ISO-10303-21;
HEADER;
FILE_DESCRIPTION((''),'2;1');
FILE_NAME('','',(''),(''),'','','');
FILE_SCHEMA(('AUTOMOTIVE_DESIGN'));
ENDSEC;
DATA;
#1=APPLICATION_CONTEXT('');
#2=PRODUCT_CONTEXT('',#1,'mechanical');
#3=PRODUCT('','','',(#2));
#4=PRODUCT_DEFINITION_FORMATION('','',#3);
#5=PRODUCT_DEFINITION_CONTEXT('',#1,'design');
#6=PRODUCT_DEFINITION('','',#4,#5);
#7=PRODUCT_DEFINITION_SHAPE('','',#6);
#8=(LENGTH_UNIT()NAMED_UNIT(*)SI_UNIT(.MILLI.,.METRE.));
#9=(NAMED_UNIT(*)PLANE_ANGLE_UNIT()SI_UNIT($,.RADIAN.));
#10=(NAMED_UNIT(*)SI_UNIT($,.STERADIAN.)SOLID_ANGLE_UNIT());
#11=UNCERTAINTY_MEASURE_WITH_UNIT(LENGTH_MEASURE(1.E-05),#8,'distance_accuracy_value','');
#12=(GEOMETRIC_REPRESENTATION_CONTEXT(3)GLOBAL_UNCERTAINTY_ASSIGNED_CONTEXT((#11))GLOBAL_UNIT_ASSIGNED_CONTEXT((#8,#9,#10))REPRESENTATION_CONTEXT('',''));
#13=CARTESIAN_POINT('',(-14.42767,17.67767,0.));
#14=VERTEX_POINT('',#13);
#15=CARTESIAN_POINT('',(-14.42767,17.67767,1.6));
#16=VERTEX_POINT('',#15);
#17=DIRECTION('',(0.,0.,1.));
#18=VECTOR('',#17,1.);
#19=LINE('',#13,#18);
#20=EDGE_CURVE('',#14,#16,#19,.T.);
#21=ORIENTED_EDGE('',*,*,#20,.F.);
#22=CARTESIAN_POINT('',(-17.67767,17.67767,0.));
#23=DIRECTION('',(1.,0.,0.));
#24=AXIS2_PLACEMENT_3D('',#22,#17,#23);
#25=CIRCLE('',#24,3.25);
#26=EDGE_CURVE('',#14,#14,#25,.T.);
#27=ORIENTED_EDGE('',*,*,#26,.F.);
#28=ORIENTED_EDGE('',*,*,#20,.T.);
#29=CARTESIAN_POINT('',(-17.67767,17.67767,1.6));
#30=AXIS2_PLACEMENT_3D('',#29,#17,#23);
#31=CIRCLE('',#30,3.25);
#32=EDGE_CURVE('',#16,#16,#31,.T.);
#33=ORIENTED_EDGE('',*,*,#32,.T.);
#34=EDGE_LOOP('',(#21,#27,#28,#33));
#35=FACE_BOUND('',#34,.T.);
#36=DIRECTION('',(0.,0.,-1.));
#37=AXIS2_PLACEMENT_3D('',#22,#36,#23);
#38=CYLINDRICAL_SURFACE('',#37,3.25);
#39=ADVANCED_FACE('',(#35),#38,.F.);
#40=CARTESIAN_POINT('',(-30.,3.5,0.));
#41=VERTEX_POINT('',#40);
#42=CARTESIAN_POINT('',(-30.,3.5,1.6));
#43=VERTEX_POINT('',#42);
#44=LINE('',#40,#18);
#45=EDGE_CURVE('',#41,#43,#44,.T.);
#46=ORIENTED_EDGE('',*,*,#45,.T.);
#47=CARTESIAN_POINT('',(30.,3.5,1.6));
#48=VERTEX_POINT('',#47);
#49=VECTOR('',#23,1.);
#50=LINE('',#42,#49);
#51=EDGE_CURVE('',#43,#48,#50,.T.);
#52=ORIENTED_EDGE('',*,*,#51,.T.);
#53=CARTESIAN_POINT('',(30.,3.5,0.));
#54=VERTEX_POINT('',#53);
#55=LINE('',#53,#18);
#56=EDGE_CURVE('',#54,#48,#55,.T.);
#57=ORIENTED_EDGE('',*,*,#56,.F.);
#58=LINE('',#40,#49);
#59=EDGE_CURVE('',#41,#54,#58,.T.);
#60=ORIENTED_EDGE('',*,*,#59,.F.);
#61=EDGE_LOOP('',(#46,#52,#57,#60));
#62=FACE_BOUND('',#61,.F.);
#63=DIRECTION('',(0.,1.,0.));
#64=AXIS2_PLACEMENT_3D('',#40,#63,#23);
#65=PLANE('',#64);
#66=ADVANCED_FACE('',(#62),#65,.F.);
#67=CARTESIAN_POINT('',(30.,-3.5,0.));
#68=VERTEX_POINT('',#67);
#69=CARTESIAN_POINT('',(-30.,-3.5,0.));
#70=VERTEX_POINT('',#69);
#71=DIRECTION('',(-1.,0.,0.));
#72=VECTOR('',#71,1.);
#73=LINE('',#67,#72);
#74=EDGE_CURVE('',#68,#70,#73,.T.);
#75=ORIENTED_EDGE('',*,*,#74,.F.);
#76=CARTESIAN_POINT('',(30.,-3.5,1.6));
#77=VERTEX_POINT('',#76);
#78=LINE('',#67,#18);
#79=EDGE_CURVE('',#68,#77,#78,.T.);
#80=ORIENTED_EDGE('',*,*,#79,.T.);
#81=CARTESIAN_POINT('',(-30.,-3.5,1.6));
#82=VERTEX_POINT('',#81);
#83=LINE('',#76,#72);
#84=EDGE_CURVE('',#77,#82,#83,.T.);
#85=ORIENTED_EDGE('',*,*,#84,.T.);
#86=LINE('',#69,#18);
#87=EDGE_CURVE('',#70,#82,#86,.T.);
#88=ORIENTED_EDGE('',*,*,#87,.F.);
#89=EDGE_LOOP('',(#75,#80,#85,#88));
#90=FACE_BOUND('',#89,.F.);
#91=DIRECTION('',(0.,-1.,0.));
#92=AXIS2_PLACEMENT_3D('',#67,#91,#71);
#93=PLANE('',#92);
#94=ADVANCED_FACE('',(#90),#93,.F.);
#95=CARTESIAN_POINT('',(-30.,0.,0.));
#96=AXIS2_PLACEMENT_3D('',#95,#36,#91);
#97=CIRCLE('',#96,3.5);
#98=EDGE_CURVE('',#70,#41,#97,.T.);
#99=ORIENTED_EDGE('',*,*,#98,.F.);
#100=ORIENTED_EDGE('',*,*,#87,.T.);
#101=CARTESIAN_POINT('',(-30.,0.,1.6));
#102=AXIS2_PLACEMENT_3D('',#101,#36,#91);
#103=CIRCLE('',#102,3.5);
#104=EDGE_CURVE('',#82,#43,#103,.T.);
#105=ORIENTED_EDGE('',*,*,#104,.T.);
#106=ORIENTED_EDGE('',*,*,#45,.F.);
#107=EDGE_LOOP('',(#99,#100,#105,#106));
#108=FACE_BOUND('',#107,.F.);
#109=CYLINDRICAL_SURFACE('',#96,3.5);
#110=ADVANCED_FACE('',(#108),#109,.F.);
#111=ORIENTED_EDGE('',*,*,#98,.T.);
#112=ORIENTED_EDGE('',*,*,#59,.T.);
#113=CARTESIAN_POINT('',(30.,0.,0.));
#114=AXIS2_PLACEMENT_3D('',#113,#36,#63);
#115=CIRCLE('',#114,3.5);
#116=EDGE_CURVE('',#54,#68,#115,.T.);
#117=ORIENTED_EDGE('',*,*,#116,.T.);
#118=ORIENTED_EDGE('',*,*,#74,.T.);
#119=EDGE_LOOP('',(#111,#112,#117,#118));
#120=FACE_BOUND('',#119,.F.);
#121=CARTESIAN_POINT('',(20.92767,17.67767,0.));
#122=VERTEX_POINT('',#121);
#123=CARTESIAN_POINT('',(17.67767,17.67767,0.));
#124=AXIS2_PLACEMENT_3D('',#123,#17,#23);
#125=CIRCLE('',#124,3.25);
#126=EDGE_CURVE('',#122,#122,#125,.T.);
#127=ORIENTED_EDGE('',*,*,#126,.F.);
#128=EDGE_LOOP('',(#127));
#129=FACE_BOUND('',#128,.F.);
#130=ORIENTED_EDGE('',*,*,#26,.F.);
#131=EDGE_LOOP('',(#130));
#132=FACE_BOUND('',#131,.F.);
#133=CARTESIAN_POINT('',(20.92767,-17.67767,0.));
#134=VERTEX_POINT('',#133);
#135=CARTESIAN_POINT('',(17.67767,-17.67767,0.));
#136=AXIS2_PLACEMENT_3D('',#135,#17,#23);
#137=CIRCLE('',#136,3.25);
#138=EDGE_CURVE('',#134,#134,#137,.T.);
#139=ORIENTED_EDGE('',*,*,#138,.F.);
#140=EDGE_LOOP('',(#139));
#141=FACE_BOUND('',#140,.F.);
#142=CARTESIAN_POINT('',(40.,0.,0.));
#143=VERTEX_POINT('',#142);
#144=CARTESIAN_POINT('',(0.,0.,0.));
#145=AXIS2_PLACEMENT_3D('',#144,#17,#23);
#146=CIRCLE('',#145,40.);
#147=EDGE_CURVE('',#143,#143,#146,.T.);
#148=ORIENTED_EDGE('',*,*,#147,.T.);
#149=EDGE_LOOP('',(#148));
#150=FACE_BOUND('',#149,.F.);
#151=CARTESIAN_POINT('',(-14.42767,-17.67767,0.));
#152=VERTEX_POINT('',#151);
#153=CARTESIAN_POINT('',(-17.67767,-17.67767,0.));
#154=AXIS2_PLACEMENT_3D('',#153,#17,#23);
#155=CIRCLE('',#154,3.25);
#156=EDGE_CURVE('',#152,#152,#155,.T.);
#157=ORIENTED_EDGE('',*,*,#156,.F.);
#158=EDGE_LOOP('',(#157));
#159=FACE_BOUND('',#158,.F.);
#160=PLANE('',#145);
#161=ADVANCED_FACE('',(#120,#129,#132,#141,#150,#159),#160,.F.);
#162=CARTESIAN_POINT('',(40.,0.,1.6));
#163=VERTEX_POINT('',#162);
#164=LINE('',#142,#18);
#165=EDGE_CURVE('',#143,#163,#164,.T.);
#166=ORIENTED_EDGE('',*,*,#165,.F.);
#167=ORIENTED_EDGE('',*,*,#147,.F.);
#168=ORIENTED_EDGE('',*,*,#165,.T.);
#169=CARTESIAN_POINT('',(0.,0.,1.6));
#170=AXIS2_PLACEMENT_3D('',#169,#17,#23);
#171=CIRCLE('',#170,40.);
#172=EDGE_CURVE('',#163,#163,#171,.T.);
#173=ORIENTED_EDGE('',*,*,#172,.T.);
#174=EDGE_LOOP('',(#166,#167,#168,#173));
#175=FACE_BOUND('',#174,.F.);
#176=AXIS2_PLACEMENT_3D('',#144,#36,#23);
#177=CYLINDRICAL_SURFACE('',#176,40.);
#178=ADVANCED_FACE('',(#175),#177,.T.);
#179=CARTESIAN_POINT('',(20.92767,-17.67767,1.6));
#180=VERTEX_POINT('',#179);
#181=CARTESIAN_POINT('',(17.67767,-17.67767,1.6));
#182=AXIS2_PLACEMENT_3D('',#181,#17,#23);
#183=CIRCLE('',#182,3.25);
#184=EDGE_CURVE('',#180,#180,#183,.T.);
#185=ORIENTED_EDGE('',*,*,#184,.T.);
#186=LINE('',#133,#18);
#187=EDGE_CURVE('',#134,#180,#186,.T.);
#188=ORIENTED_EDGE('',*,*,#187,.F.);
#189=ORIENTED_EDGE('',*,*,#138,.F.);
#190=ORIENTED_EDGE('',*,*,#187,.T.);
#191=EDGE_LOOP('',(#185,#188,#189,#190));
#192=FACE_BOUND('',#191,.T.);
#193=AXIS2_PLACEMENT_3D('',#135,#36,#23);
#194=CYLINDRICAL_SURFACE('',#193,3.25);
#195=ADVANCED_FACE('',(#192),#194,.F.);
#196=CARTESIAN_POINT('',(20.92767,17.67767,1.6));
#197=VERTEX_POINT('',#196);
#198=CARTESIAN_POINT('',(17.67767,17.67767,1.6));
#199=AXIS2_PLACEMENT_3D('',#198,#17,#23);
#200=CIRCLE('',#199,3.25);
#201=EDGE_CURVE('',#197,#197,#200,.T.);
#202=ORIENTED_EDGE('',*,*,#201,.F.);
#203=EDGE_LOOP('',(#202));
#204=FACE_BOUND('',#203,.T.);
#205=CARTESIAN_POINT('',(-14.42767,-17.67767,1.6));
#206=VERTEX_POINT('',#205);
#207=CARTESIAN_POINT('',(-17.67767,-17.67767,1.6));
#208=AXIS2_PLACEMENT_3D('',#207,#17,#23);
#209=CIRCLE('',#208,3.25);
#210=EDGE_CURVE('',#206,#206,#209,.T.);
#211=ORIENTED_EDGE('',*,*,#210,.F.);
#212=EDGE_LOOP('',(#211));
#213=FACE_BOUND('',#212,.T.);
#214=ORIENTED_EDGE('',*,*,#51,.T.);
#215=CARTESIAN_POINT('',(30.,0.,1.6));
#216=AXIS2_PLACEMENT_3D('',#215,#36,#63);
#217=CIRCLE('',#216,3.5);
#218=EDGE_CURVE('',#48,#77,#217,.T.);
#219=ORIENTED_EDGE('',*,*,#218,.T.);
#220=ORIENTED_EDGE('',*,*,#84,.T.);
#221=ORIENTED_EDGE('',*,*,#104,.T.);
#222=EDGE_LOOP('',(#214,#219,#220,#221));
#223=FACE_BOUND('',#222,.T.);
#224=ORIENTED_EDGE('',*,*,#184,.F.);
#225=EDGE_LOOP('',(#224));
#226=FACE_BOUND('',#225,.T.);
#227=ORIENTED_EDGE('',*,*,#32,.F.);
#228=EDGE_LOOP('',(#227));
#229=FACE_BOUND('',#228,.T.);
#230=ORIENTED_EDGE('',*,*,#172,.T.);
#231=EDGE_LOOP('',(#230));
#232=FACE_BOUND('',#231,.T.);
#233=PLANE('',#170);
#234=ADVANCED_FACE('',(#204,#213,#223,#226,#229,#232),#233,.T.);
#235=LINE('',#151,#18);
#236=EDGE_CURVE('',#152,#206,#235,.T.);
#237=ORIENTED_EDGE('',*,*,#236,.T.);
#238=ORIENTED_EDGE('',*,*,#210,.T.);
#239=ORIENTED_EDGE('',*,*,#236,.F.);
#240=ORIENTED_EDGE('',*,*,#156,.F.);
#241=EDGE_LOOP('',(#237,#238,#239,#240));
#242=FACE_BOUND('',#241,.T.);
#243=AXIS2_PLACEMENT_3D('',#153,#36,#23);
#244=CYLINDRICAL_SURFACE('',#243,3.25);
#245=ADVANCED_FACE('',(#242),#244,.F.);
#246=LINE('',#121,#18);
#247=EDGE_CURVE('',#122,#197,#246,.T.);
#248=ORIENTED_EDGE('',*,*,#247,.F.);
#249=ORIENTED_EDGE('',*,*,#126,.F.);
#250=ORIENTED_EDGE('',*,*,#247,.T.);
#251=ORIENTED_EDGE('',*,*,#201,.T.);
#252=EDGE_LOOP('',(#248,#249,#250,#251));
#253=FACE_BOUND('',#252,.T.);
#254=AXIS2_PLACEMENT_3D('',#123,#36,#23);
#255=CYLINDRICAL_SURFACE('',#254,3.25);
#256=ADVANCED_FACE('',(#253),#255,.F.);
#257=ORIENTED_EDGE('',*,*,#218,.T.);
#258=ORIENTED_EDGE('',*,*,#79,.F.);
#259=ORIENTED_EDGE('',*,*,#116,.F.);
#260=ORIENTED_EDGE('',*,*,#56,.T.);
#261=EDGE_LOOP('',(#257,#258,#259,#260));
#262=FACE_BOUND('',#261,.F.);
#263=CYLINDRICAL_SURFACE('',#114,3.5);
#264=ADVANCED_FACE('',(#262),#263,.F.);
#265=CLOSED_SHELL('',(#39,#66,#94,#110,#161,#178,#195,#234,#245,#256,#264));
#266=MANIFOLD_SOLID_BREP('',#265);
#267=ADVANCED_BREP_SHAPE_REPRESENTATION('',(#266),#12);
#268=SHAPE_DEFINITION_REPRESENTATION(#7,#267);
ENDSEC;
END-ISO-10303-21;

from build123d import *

# Parameters (mm, degrees)
F0_R     = 40
F0_R_2   = 3.25
F1_DEPTH = 1.6


with BuildPart() as f1:
    # F0 (on Top) → F1 (new body)
    with BuildSketch(Plane.XY):
        Circle(F0_R)
        with Locations((-17.67767, -17.67767)):
            Circle(F0_R_2, mode=Mode.SUBTRACT)
        with Locations((17.67767, -17.67767)):
            Circle(F0_R_2, mode=Mode.SUBTRACT)
        with Locations((-17.67767, 17.67767)):
            Circle(F0_R_2, mode=Mode.SUBTRACT)
        with BuildLine():
            ThreePointArc((-30, -3.5), (-33.5, 0), (-30, 3.5))
            Line((-30, 3.5), (30, 3.5))
            ThreePointArc((30, 3.5), (33.5, 0), (30, -3.5))
            Line((30, -3.5), (-30, -3.5))
        make_face(mode=Mode.SUBTRACT)
        with Locations((17.67767, 17.67767)):
            Circle(F0_R_2, mode=Mode.SUBTRACT)
    extrude(amount=F1_DEPTH)


solid = f1.part
